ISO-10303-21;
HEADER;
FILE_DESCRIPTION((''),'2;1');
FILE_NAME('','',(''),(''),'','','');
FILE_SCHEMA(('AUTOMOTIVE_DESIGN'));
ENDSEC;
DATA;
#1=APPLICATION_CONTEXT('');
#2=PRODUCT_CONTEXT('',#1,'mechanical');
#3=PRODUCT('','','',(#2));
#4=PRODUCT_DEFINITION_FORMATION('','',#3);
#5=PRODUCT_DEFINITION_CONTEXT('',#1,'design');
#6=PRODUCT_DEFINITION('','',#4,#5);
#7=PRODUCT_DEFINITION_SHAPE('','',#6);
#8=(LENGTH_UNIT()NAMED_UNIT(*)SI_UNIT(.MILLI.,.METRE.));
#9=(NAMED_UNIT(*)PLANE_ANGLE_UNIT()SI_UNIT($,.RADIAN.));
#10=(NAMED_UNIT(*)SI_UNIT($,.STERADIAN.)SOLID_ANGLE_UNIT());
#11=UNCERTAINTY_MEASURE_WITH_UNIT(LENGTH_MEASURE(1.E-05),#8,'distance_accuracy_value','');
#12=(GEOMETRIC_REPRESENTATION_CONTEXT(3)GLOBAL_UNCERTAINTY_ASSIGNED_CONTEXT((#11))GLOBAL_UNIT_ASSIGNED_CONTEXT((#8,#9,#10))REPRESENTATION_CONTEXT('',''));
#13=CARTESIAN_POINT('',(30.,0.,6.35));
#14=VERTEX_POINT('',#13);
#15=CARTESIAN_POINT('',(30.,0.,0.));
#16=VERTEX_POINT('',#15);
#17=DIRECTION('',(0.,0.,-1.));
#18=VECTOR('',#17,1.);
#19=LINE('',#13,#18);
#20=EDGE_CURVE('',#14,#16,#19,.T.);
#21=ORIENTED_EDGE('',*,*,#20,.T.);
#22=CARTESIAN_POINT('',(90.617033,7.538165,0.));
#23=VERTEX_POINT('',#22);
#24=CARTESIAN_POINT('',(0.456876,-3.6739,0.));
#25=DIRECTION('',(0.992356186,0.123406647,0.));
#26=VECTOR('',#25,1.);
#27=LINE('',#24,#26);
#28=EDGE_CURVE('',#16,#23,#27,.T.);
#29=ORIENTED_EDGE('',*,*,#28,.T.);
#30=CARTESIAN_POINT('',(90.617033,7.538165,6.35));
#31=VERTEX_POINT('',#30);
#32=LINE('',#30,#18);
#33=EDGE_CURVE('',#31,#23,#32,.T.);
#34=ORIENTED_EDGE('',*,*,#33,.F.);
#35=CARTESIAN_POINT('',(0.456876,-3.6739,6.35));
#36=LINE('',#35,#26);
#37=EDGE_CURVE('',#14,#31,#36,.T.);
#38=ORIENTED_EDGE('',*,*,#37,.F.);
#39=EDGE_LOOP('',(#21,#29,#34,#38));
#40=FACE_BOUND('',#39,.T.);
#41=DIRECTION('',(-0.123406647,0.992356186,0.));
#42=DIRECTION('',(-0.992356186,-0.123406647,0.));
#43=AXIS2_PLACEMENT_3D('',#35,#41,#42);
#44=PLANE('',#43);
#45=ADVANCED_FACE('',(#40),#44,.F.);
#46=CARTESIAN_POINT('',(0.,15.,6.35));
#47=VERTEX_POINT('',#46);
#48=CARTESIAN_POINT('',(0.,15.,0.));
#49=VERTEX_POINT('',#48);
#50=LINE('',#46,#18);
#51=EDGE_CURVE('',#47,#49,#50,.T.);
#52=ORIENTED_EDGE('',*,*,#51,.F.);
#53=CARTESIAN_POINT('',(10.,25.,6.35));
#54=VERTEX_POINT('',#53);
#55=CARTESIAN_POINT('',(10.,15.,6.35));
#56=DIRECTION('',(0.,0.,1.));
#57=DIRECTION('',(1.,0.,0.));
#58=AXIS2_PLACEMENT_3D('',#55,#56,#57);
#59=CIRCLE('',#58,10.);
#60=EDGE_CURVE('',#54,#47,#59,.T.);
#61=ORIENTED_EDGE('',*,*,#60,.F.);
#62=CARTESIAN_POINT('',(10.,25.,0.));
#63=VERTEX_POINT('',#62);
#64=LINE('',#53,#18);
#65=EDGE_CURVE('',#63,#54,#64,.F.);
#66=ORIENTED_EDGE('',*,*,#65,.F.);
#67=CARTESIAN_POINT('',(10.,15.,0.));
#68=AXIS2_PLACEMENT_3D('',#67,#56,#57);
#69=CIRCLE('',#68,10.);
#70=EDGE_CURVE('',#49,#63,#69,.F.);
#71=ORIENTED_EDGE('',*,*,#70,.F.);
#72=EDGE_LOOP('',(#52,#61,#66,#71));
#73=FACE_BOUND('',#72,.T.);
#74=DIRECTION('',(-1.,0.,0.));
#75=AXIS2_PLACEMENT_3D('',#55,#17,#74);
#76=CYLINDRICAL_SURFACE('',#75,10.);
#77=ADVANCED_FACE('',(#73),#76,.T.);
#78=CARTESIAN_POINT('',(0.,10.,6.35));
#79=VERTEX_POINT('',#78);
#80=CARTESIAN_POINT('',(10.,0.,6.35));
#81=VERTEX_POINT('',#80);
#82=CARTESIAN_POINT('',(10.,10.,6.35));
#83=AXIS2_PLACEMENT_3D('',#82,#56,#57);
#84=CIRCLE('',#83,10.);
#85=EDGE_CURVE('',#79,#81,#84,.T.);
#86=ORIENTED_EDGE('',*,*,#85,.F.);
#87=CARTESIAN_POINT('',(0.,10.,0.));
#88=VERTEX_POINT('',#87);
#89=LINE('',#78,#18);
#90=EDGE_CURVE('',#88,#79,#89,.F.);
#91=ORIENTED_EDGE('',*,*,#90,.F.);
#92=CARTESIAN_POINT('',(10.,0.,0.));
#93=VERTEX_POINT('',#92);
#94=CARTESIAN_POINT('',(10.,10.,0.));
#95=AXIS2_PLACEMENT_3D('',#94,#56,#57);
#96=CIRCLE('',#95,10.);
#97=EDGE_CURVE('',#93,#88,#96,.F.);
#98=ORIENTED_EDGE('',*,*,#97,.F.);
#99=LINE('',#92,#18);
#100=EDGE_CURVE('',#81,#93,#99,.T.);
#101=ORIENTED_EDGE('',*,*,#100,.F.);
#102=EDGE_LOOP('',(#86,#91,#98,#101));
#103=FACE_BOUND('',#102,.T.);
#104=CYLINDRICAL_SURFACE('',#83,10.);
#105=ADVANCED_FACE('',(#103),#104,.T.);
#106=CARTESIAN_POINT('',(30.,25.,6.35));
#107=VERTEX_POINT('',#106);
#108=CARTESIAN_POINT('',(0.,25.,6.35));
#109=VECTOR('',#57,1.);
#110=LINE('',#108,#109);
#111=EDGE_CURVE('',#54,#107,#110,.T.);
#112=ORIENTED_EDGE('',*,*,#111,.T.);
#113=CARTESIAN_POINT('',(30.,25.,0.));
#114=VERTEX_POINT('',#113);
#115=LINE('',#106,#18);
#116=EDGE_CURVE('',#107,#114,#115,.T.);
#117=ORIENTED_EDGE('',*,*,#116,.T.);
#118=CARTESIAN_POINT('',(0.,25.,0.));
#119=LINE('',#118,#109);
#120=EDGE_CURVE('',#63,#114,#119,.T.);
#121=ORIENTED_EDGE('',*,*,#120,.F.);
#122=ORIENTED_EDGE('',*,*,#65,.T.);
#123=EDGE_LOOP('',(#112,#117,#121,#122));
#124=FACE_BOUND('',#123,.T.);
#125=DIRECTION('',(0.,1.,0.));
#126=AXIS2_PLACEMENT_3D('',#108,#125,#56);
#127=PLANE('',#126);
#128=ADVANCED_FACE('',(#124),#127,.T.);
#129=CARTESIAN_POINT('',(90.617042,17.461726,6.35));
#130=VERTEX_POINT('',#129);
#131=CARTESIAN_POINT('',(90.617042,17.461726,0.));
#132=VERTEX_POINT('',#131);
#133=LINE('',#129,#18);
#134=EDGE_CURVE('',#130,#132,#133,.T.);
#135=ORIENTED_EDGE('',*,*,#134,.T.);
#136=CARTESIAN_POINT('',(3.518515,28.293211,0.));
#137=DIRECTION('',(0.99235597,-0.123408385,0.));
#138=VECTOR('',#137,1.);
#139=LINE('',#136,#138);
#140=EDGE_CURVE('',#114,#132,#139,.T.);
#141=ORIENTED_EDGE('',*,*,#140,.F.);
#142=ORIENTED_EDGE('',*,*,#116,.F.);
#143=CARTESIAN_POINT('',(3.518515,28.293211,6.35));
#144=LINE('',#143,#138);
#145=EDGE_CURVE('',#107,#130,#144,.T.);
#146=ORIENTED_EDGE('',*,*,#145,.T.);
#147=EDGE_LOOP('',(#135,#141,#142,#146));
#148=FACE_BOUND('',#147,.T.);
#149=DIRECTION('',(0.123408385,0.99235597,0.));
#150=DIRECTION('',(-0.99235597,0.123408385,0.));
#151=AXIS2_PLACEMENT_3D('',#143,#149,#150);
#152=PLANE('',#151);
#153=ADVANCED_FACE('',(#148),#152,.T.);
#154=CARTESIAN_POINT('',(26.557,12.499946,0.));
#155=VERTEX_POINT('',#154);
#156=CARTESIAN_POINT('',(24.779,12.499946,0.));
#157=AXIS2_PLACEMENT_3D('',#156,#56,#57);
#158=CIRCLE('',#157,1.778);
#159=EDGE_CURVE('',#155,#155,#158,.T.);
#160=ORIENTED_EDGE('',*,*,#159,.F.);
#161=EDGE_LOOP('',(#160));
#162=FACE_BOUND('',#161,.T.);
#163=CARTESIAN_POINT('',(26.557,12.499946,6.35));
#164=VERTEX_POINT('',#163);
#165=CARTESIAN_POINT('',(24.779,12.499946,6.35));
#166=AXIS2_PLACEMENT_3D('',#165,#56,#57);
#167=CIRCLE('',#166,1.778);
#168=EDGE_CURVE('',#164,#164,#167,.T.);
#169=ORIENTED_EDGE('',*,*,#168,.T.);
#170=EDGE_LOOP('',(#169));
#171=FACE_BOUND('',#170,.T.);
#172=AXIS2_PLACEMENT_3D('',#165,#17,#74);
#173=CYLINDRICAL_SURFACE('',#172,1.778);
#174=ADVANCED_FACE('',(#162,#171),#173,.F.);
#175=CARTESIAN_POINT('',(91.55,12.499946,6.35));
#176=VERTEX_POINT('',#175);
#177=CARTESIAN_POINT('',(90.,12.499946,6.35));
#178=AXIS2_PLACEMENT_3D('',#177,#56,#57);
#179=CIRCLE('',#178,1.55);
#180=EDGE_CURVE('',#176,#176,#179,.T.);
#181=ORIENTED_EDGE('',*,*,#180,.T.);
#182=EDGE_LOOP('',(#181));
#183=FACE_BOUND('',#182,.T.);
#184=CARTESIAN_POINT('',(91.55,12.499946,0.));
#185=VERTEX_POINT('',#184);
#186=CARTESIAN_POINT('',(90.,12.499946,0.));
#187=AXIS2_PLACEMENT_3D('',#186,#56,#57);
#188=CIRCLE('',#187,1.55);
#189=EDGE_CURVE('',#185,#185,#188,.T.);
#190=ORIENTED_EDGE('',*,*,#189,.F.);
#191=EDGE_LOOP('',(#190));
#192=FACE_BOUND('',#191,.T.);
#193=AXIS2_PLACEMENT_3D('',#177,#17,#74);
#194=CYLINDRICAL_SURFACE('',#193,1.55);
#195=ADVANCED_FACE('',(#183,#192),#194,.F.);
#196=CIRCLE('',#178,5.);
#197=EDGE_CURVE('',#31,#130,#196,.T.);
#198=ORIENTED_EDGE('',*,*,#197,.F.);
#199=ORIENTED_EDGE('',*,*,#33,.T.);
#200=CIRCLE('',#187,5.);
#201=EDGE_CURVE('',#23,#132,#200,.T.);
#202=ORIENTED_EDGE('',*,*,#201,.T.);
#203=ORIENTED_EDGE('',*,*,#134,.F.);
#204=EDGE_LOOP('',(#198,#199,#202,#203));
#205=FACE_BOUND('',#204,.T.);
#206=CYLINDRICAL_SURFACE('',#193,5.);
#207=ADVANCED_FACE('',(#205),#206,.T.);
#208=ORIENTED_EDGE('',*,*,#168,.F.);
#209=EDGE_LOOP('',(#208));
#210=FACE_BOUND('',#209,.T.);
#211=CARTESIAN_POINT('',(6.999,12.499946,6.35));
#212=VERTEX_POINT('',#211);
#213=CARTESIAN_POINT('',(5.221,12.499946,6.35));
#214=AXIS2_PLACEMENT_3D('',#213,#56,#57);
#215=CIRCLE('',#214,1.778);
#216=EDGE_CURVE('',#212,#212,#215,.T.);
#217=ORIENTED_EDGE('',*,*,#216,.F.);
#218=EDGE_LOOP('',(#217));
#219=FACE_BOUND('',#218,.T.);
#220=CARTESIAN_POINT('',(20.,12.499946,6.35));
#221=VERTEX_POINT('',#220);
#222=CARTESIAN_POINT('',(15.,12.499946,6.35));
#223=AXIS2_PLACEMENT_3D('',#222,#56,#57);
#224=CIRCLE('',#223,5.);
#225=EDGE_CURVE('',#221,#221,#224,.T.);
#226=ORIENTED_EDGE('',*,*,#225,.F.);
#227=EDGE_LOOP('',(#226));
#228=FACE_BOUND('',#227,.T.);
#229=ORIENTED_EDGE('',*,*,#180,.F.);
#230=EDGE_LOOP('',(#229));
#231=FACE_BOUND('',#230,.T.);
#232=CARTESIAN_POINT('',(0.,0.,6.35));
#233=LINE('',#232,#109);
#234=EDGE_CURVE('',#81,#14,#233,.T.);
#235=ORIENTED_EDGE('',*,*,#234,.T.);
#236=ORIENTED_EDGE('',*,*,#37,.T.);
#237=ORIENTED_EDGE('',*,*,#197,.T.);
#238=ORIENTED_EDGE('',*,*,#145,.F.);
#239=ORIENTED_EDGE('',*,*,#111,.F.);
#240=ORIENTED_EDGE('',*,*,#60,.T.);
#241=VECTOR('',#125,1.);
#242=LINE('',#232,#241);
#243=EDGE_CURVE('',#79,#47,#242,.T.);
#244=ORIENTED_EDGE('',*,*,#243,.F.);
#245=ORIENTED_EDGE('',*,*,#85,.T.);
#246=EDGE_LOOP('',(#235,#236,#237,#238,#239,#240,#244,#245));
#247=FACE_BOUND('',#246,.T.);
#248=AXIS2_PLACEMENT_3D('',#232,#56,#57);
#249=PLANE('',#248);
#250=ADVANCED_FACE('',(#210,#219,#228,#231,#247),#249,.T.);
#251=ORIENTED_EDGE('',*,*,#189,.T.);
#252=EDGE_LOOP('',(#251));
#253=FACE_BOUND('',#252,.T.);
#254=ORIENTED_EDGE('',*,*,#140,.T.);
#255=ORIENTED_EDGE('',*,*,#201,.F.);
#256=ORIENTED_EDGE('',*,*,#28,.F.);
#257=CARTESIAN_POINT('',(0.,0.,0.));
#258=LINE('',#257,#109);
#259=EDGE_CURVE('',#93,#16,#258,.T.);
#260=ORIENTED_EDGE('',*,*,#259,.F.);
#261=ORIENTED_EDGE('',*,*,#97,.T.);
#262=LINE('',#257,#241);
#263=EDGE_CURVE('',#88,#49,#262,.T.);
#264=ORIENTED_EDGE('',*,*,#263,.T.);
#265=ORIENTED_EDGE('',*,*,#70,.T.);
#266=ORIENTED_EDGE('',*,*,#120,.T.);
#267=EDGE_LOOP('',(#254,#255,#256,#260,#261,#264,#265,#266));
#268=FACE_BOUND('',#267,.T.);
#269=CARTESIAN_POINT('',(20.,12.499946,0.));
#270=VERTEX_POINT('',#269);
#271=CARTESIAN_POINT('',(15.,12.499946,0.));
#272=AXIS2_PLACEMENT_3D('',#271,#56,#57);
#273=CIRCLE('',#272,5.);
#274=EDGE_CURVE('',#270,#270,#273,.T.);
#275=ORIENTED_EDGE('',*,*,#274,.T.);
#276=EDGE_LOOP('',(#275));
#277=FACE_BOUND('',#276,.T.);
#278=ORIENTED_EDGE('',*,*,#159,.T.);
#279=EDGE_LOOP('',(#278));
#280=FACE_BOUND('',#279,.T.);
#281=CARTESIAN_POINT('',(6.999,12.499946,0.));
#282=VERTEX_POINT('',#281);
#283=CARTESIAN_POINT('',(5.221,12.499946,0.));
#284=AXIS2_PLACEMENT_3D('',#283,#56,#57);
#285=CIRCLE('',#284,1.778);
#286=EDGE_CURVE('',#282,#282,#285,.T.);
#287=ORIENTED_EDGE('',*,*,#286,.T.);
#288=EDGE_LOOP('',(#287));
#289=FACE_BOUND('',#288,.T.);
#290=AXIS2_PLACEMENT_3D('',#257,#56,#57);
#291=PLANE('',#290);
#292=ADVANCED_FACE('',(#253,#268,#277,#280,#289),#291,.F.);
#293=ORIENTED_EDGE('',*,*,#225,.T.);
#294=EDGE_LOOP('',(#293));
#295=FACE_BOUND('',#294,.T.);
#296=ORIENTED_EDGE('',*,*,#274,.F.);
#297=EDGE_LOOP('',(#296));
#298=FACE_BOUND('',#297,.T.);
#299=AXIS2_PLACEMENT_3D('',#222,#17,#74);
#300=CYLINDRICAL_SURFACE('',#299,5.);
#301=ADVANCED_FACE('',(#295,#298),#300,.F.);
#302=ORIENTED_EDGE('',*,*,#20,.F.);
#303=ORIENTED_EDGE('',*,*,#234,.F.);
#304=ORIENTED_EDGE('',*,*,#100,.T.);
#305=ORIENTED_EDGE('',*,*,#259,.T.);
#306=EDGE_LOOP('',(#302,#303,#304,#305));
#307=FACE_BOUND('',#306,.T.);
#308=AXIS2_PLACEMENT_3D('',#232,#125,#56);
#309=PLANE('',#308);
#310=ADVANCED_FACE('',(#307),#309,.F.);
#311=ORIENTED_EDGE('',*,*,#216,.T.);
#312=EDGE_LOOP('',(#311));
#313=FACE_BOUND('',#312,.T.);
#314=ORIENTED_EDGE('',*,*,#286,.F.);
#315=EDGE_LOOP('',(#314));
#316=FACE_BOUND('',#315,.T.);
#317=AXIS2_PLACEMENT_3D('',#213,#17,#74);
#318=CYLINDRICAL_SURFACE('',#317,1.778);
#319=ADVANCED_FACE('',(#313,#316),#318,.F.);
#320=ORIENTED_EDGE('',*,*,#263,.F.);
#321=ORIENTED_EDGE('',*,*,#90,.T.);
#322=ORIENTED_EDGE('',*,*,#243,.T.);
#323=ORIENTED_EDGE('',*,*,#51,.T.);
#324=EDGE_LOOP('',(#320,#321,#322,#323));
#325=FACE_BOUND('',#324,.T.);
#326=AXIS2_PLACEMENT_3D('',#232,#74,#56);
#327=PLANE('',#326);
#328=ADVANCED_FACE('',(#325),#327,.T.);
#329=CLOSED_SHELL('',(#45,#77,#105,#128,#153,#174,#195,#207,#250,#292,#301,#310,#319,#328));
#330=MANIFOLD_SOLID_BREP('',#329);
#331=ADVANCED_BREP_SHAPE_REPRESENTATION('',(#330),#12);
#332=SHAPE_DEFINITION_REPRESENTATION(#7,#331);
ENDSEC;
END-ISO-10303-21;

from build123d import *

# Parameters (mm, degrees)
SKETCH1_R           = 1.778
SKETCH1_R_2         = 1.55
SKETCH1_R_3         = 5
BOSS_EXTRUDE1_DEPTH = 6.35
FILLET1_R           = 10


with BuildPart() as part:
    # Sketch1 → Boss-Extrude1 (new body)
    with BuildSketch(Plane.XY):
        with BuildLine():
            Line((90.617041925, 17.461725961), (30, 25))
            Line((30, 25), (0, 25))
            Line((0, 25), (0, 0))
            Line((0, 0), (30, 0))
            Line((30, 0), (90.617033237, 7.538165184))
            ThreePointArc((90.617033237, 7.538165184), (95, 12.499941736), (90.617041925, 17.461725961))
        make_face()
        with Locations((24.779, 12.499946113)):
            Circle(SKETCH1_R, mode=Mode.SUBTRACT)
        with Locations((5.221, 12.499946113)):
            Circle(SKETCH1_R, mode=Mode.SUBTRACT)
        with Locations((90, 12.499946113)):
            Circle(SKETCH1_R_2, mode=Mode.SUBTRACT)
        with Locations((15, 12.499946113)):
            Circle(SKETCH1_R_3, mode=Mode.SUBTRACT)
    extrude(amount=BOSS_EXTRUDE1_DEPTH)

    # Fillet1
    fillet1_edges = [part.edges().sort_by_distance(p)[0] for p in [
        (0, 0, 3.175),
        (0, 25, 3.175),
    ]]
    fillet(fillet1_edges, radius=FILLET1_R)


solid = part.part
